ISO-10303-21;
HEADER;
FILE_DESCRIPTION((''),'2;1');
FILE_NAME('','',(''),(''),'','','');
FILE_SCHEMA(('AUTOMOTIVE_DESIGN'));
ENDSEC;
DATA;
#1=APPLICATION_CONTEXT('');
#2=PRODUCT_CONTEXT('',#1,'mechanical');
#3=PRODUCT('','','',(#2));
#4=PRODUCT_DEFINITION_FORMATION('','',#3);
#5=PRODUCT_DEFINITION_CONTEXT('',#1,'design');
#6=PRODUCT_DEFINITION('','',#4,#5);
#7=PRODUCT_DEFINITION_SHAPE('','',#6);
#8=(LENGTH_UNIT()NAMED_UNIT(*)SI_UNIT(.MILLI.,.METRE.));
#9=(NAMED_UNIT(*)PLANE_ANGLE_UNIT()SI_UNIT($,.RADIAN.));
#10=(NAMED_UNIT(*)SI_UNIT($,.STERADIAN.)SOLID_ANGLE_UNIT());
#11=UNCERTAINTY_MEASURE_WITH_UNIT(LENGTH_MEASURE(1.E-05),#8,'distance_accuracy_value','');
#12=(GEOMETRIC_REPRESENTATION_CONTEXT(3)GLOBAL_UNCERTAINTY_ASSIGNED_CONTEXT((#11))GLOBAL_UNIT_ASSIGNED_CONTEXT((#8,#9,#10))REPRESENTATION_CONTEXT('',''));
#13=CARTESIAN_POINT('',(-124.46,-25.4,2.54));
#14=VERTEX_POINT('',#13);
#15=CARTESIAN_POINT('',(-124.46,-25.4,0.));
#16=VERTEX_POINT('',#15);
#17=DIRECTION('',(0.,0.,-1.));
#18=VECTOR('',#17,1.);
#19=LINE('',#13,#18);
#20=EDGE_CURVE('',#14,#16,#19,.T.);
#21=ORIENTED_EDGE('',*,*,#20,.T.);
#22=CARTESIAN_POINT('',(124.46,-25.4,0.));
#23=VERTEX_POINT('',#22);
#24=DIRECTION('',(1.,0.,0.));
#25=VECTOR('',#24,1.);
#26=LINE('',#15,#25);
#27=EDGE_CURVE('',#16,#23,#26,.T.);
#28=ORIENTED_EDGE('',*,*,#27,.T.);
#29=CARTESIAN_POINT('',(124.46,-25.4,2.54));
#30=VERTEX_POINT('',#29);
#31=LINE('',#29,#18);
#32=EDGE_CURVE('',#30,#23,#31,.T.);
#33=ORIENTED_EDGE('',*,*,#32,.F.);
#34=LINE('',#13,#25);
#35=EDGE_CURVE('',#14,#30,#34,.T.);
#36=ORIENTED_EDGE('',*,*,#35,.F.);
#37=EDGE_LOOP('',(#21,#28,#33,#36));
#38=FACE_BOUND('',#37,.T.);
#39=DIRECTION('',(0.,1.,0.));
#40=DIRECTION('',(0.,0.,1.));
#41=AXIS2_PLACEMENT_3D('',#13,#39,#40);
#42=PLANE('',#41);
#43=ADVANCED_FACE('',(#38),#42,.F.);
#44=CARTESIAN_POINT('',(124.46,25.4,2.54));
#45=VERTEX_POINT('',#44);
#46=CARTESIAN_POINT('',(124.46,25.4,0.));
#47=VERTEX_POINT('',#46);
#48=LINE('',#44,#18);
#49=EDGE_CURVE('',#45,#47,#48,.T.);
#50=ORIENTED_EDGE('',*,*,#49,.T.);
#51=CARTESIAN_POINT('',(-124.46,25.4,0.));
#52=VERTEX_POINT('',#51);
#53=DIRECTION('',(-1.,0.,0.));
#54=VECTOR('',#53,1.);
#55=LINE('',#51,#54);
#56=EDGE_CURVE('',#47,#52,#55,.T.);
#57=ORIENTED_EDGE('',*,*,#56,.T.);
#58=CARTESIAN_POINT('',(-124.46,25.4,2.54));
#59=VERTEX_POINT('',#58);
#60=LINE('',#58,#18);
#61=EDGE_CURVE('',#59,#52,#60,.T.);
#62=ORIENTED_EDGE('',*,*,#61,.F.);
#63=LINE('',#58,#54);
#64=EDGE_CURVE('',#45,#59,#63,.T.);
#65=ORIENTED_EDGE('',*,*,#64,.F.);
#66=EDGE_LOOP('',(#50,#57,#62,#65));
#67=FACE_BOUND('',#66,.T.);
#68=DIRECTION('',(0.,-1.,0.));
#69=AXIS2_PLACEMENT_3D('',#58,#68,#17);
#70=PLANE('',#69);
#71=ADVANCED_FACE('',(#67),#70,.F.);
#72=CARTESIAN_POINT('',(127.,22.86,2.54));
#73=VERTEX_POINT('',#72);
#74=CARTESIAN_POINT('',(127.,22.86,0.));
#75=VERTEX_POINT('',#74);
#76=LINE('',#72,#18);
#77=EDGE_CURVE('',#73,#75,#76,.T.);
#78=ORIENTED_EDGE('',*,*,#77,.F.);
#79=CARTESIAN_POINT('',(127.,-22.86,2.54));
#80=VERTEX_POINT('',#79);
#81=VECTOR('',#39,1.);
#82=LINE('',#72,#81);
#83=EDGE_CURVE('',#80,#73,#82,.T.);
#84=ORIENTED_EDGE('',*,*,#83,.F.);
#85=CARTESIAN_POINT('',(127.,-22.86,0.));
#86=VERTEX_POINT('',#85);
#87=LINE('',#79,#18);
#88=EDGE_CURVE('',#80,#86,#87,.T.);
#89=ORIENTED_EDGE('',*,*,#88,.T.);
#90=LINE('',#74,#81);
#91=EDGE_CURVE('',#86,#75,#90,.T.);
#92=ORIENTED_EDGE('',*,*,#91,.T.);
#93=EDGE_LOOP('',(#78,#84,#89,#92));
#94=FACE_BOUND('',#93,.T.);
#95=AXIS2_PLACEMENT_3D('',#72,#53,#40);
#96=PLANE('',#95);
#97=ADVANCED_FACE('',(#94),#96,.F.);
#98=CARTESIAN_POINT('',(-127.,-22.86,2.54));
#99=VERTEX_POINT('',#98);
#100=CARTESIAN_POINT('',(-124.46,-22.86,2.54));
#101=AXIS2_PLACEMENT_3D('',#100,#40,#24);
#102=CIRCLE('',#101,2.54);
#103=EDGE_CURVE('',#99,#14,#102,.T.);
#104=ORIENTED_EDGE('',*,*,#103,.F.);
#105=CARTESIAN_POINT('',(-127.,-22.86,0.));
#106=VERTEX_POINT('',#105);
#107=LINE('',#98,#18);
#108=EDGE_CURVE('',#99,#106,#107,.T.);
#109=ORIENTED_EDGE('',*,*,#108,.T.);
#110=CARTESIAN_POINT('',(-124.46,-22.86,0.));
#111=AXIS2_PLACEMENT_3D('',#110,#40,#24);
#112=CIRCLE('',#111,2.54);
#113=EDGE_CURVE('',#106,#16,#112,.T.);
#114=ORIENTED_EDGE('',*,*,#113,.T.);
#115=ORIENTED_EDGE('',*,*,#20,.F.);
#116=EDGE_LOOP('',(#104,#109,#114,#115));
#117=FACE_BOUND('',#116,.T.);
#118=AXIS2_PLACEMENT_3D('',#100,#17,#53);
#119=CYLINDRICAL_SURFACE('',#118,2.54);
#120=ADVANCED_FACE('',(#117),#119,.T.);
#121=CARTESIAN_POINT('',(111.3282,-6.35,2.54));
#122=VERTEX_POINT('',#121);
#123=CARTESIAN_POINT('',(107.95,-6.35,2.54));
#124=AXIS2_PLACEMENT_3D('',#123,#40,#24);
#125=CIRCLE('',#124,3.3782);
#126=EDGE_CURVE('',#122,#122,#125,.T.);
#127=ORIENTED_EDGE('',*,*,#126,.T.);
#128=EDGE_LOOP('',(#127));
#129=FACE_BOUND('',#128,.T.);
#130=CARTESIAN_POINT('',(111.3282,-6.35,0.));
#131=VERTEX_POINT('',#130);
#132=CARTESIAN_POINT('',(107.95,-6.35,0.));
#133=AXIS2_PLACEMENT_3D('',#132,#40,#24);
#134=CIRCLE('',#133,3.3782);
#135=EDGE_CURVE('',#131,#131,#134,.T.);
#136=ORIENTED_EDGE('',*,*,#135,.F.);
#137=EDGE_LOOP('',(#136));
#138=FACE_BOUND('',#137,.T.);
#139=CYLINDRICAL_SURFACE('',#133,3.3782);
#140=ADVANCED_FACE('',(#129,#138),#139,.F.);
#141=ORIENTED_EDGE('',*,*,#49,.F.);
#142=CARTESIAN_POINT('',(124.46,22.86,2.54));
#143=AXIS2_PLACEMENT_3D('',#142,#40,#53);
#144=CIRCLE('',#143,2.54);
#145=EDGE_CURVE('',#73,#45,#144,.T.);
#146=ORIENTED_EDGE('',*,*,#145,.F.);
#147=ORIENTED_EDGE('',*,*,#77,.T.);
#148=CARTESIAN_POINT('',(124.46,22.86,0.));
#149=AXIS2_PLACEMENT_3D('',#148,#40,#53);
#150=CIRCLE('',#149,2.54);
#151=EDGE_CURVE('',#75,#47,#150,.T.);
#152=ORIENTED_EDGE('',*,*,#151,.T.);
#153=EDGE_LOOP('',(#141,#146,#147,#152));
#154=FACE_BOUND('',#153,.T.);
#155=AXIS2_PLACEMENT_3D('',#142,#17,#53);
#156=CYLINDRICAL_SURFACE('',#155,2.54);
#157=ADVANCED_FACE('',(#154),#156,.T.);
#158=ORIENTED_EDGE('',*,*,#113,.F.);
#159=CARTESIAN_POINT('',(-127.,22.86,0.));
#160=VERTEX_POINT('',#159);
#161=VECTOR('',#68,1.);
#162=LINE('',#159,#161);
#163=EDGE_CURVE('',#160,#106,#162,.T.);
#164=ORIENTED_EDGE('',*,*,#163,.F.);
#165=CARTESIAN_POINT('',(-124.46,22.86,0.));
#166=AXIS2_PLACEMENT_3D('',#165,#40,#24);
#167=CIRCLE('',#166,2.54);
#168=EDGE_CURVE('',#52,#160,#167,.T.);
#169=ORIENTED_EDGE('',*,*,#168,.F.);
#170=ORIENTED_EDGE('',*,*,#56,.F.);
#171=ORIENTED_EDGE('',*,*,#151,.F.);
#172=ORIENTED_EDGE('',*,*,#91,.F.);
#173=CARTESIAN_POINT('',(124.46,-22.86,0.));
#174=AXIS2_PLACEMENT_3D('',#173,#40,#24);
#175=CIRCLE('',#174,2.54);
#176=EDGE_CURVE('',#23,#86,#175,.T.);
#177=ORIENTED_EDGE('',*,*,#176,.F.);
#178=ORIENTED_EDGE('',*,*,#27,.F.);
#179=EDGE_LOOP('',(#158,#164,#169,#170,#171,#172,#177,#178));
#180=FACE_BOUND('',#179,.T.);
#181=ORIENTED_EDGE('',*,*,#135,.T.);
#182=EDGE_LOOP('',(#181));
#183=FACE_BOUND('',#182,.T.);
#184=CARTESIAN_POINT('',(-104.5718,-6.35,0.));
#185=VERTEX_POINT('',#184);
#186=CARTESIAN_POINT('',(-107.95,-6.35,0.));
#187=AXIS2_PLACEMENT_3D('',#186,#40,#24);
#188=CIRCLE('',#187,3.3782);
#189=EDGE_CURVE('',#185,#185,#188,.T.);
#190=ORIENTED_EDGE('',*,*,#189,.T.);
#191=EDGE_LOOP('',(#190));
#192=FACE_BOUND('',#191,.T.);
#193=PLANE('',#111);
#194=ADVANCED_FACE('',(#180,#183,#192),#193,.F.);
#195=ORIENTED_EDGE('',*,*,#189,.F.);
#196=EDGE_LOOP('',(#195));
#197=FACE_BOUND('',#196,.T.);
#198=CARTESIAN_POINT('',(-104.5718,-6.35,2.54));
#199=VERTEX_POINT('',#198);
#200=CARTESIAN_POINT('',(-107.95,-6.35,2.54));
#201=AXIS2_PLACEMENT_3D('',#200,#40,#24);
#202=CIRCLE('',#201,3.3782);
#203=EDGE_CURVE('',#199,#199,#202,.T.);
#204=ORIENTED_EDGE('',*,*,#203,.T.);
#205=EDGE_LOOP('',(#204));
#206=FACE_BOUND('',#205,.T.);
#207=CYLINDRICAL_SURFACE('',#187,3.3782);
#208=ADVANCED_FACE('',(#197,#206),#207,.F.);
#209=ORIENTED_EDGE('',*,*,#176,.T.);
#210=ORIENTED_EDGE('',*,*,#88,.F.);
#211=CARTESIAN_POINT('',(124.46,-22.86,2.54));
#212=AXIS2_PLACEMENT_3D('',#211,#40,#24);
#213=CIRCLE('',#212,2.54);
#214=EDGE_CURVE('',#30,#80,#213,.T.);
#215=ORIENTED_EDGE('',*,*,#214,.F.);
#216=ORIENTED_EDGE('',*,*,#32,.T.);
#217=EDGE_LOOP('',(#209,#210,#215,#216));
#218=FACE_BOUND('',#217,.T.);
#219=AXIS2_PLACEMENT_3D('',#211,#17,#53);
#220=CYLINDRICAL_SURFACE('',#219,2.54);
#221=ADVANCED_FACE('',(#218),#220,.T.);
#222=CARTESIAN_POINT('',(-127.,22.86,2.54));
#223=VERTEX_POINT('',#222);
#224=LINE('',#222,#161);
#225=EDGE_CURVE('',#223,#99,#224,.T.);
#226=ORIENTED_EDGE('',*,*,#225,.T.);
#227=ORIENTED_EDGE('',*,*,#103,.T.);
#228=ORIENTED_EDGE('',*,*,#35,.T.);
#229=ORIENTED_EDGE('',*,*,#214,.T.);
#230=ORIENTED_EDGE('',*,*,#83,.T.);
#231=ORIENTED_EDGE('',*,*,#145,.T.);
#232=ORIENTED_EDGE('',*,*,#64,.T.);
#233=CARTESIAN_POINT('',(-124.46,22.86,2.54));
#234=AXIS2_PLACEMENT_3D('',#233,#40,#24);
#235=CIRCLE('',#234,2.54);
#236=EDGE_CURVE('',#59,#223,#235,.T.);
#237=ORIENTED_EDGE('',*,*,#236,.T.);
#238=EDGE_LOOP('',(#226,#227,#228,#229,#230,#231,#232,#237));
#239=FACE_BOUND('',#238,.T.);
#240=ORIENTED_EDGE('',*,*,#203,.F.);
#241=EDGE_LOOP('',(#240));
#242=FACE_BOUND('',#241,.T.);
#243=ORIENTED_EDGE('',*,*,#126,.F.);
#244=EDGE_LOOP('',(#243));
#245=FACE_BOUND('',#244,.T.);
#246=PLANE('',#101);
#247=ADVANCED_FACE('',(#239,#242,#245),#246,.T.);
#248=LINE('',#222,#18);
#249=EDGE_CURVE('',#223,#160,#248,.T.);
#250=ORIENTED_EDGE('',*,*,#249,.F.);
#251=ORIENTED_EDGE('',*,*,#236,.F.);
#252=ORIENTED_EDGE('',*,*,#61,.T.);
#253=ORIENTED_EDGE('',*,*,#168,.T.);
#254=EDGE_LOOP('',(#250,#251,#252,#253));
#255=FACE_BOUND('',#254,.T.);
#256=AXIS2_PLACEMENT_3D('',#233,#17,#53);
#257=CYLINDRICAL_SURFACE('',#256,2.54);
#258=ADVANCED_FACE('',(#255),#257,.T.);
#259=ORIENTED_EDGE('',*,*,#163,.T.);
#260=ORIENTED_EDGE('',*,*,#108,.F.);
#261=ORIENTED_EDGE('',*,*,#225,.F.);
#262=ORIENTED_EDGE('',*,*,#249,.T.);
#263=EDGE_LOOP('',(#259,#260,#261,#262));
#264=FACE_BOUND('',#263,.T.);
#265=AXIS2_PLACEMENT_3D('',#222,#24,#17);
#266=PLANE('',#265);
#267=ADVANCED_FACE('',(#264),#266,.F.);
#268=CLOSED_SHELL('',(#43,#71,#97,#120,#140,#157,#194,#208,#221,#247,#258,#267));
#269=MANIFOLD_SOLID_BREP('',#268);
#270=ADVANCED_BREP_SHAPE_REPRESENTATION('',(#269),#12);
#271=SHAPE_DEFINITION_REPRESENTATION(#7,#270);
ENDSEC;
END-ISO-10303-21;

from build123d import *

# Parameters (mm, degrees)
BOSS_EXTRUDE1_DEPTH = 2.54
SKETCH3_R           = 3.3782
CUT_EXTRUDE1_DEPTH  = 130.54
SKETCH4_R           = 3.3782
CUT_EXTRUDE2_DEPTH  = 130.54


with BuildPart() as part:
    # Sketch2 → Boss-Extrude1 (new body)
    with BuildSketch(Plane.XY):
        with BuildLine():
            Line((-124.46, 25.4), (124.46, 25.4))
            ThreePointArc((124.46, 25.4), (126.256051224, 24.656051224), (127, 22.86))
            Line((127, 22.86), (127, -22.86))
            ThreePointArc((127, -22.86), (126.256051224, -24.656051224), (124.46, -25.4))
            Line((124.46, -25.4), (-124.46, -25.4))
            ThreePointArc((-124.46, -25.4), (-126.256051224, -24.656051224), (-127, -22.86))
            Line((-127, -22.86), (-127, 22.86))
            ThreePointArc((-127, 22.86), (-126.256051224, 24.656051224), (-124.46, 25.4))
        make_face()
    extrude(amount=BOSS_EXTRUDE1_DEPTH)

    # Sketch3 → Cut-Extrude1 (cut, through all)
    with BuildSketch(Plane.XY.offset(2.54)):
        with Locations((-107.95, -6.35)):
            Circle(SKETCH3_R)
    extrude(amount=-CUT_EXTRUDE1_DEPTH, mode=Mode.SUBTRACT)

    # Sketch4 → Cut-Extrude2 (cut, through all)
    with BuildSketch(Plane.XY.offset(2.54)):
        with Locations((107.95, -6.35)):
            Circle(SKETCH4_R)
    extrude(amount=-CUT_EXTRUDE2_DEPTH, mode=Mode.SUBTRACT)


solid = part.part
